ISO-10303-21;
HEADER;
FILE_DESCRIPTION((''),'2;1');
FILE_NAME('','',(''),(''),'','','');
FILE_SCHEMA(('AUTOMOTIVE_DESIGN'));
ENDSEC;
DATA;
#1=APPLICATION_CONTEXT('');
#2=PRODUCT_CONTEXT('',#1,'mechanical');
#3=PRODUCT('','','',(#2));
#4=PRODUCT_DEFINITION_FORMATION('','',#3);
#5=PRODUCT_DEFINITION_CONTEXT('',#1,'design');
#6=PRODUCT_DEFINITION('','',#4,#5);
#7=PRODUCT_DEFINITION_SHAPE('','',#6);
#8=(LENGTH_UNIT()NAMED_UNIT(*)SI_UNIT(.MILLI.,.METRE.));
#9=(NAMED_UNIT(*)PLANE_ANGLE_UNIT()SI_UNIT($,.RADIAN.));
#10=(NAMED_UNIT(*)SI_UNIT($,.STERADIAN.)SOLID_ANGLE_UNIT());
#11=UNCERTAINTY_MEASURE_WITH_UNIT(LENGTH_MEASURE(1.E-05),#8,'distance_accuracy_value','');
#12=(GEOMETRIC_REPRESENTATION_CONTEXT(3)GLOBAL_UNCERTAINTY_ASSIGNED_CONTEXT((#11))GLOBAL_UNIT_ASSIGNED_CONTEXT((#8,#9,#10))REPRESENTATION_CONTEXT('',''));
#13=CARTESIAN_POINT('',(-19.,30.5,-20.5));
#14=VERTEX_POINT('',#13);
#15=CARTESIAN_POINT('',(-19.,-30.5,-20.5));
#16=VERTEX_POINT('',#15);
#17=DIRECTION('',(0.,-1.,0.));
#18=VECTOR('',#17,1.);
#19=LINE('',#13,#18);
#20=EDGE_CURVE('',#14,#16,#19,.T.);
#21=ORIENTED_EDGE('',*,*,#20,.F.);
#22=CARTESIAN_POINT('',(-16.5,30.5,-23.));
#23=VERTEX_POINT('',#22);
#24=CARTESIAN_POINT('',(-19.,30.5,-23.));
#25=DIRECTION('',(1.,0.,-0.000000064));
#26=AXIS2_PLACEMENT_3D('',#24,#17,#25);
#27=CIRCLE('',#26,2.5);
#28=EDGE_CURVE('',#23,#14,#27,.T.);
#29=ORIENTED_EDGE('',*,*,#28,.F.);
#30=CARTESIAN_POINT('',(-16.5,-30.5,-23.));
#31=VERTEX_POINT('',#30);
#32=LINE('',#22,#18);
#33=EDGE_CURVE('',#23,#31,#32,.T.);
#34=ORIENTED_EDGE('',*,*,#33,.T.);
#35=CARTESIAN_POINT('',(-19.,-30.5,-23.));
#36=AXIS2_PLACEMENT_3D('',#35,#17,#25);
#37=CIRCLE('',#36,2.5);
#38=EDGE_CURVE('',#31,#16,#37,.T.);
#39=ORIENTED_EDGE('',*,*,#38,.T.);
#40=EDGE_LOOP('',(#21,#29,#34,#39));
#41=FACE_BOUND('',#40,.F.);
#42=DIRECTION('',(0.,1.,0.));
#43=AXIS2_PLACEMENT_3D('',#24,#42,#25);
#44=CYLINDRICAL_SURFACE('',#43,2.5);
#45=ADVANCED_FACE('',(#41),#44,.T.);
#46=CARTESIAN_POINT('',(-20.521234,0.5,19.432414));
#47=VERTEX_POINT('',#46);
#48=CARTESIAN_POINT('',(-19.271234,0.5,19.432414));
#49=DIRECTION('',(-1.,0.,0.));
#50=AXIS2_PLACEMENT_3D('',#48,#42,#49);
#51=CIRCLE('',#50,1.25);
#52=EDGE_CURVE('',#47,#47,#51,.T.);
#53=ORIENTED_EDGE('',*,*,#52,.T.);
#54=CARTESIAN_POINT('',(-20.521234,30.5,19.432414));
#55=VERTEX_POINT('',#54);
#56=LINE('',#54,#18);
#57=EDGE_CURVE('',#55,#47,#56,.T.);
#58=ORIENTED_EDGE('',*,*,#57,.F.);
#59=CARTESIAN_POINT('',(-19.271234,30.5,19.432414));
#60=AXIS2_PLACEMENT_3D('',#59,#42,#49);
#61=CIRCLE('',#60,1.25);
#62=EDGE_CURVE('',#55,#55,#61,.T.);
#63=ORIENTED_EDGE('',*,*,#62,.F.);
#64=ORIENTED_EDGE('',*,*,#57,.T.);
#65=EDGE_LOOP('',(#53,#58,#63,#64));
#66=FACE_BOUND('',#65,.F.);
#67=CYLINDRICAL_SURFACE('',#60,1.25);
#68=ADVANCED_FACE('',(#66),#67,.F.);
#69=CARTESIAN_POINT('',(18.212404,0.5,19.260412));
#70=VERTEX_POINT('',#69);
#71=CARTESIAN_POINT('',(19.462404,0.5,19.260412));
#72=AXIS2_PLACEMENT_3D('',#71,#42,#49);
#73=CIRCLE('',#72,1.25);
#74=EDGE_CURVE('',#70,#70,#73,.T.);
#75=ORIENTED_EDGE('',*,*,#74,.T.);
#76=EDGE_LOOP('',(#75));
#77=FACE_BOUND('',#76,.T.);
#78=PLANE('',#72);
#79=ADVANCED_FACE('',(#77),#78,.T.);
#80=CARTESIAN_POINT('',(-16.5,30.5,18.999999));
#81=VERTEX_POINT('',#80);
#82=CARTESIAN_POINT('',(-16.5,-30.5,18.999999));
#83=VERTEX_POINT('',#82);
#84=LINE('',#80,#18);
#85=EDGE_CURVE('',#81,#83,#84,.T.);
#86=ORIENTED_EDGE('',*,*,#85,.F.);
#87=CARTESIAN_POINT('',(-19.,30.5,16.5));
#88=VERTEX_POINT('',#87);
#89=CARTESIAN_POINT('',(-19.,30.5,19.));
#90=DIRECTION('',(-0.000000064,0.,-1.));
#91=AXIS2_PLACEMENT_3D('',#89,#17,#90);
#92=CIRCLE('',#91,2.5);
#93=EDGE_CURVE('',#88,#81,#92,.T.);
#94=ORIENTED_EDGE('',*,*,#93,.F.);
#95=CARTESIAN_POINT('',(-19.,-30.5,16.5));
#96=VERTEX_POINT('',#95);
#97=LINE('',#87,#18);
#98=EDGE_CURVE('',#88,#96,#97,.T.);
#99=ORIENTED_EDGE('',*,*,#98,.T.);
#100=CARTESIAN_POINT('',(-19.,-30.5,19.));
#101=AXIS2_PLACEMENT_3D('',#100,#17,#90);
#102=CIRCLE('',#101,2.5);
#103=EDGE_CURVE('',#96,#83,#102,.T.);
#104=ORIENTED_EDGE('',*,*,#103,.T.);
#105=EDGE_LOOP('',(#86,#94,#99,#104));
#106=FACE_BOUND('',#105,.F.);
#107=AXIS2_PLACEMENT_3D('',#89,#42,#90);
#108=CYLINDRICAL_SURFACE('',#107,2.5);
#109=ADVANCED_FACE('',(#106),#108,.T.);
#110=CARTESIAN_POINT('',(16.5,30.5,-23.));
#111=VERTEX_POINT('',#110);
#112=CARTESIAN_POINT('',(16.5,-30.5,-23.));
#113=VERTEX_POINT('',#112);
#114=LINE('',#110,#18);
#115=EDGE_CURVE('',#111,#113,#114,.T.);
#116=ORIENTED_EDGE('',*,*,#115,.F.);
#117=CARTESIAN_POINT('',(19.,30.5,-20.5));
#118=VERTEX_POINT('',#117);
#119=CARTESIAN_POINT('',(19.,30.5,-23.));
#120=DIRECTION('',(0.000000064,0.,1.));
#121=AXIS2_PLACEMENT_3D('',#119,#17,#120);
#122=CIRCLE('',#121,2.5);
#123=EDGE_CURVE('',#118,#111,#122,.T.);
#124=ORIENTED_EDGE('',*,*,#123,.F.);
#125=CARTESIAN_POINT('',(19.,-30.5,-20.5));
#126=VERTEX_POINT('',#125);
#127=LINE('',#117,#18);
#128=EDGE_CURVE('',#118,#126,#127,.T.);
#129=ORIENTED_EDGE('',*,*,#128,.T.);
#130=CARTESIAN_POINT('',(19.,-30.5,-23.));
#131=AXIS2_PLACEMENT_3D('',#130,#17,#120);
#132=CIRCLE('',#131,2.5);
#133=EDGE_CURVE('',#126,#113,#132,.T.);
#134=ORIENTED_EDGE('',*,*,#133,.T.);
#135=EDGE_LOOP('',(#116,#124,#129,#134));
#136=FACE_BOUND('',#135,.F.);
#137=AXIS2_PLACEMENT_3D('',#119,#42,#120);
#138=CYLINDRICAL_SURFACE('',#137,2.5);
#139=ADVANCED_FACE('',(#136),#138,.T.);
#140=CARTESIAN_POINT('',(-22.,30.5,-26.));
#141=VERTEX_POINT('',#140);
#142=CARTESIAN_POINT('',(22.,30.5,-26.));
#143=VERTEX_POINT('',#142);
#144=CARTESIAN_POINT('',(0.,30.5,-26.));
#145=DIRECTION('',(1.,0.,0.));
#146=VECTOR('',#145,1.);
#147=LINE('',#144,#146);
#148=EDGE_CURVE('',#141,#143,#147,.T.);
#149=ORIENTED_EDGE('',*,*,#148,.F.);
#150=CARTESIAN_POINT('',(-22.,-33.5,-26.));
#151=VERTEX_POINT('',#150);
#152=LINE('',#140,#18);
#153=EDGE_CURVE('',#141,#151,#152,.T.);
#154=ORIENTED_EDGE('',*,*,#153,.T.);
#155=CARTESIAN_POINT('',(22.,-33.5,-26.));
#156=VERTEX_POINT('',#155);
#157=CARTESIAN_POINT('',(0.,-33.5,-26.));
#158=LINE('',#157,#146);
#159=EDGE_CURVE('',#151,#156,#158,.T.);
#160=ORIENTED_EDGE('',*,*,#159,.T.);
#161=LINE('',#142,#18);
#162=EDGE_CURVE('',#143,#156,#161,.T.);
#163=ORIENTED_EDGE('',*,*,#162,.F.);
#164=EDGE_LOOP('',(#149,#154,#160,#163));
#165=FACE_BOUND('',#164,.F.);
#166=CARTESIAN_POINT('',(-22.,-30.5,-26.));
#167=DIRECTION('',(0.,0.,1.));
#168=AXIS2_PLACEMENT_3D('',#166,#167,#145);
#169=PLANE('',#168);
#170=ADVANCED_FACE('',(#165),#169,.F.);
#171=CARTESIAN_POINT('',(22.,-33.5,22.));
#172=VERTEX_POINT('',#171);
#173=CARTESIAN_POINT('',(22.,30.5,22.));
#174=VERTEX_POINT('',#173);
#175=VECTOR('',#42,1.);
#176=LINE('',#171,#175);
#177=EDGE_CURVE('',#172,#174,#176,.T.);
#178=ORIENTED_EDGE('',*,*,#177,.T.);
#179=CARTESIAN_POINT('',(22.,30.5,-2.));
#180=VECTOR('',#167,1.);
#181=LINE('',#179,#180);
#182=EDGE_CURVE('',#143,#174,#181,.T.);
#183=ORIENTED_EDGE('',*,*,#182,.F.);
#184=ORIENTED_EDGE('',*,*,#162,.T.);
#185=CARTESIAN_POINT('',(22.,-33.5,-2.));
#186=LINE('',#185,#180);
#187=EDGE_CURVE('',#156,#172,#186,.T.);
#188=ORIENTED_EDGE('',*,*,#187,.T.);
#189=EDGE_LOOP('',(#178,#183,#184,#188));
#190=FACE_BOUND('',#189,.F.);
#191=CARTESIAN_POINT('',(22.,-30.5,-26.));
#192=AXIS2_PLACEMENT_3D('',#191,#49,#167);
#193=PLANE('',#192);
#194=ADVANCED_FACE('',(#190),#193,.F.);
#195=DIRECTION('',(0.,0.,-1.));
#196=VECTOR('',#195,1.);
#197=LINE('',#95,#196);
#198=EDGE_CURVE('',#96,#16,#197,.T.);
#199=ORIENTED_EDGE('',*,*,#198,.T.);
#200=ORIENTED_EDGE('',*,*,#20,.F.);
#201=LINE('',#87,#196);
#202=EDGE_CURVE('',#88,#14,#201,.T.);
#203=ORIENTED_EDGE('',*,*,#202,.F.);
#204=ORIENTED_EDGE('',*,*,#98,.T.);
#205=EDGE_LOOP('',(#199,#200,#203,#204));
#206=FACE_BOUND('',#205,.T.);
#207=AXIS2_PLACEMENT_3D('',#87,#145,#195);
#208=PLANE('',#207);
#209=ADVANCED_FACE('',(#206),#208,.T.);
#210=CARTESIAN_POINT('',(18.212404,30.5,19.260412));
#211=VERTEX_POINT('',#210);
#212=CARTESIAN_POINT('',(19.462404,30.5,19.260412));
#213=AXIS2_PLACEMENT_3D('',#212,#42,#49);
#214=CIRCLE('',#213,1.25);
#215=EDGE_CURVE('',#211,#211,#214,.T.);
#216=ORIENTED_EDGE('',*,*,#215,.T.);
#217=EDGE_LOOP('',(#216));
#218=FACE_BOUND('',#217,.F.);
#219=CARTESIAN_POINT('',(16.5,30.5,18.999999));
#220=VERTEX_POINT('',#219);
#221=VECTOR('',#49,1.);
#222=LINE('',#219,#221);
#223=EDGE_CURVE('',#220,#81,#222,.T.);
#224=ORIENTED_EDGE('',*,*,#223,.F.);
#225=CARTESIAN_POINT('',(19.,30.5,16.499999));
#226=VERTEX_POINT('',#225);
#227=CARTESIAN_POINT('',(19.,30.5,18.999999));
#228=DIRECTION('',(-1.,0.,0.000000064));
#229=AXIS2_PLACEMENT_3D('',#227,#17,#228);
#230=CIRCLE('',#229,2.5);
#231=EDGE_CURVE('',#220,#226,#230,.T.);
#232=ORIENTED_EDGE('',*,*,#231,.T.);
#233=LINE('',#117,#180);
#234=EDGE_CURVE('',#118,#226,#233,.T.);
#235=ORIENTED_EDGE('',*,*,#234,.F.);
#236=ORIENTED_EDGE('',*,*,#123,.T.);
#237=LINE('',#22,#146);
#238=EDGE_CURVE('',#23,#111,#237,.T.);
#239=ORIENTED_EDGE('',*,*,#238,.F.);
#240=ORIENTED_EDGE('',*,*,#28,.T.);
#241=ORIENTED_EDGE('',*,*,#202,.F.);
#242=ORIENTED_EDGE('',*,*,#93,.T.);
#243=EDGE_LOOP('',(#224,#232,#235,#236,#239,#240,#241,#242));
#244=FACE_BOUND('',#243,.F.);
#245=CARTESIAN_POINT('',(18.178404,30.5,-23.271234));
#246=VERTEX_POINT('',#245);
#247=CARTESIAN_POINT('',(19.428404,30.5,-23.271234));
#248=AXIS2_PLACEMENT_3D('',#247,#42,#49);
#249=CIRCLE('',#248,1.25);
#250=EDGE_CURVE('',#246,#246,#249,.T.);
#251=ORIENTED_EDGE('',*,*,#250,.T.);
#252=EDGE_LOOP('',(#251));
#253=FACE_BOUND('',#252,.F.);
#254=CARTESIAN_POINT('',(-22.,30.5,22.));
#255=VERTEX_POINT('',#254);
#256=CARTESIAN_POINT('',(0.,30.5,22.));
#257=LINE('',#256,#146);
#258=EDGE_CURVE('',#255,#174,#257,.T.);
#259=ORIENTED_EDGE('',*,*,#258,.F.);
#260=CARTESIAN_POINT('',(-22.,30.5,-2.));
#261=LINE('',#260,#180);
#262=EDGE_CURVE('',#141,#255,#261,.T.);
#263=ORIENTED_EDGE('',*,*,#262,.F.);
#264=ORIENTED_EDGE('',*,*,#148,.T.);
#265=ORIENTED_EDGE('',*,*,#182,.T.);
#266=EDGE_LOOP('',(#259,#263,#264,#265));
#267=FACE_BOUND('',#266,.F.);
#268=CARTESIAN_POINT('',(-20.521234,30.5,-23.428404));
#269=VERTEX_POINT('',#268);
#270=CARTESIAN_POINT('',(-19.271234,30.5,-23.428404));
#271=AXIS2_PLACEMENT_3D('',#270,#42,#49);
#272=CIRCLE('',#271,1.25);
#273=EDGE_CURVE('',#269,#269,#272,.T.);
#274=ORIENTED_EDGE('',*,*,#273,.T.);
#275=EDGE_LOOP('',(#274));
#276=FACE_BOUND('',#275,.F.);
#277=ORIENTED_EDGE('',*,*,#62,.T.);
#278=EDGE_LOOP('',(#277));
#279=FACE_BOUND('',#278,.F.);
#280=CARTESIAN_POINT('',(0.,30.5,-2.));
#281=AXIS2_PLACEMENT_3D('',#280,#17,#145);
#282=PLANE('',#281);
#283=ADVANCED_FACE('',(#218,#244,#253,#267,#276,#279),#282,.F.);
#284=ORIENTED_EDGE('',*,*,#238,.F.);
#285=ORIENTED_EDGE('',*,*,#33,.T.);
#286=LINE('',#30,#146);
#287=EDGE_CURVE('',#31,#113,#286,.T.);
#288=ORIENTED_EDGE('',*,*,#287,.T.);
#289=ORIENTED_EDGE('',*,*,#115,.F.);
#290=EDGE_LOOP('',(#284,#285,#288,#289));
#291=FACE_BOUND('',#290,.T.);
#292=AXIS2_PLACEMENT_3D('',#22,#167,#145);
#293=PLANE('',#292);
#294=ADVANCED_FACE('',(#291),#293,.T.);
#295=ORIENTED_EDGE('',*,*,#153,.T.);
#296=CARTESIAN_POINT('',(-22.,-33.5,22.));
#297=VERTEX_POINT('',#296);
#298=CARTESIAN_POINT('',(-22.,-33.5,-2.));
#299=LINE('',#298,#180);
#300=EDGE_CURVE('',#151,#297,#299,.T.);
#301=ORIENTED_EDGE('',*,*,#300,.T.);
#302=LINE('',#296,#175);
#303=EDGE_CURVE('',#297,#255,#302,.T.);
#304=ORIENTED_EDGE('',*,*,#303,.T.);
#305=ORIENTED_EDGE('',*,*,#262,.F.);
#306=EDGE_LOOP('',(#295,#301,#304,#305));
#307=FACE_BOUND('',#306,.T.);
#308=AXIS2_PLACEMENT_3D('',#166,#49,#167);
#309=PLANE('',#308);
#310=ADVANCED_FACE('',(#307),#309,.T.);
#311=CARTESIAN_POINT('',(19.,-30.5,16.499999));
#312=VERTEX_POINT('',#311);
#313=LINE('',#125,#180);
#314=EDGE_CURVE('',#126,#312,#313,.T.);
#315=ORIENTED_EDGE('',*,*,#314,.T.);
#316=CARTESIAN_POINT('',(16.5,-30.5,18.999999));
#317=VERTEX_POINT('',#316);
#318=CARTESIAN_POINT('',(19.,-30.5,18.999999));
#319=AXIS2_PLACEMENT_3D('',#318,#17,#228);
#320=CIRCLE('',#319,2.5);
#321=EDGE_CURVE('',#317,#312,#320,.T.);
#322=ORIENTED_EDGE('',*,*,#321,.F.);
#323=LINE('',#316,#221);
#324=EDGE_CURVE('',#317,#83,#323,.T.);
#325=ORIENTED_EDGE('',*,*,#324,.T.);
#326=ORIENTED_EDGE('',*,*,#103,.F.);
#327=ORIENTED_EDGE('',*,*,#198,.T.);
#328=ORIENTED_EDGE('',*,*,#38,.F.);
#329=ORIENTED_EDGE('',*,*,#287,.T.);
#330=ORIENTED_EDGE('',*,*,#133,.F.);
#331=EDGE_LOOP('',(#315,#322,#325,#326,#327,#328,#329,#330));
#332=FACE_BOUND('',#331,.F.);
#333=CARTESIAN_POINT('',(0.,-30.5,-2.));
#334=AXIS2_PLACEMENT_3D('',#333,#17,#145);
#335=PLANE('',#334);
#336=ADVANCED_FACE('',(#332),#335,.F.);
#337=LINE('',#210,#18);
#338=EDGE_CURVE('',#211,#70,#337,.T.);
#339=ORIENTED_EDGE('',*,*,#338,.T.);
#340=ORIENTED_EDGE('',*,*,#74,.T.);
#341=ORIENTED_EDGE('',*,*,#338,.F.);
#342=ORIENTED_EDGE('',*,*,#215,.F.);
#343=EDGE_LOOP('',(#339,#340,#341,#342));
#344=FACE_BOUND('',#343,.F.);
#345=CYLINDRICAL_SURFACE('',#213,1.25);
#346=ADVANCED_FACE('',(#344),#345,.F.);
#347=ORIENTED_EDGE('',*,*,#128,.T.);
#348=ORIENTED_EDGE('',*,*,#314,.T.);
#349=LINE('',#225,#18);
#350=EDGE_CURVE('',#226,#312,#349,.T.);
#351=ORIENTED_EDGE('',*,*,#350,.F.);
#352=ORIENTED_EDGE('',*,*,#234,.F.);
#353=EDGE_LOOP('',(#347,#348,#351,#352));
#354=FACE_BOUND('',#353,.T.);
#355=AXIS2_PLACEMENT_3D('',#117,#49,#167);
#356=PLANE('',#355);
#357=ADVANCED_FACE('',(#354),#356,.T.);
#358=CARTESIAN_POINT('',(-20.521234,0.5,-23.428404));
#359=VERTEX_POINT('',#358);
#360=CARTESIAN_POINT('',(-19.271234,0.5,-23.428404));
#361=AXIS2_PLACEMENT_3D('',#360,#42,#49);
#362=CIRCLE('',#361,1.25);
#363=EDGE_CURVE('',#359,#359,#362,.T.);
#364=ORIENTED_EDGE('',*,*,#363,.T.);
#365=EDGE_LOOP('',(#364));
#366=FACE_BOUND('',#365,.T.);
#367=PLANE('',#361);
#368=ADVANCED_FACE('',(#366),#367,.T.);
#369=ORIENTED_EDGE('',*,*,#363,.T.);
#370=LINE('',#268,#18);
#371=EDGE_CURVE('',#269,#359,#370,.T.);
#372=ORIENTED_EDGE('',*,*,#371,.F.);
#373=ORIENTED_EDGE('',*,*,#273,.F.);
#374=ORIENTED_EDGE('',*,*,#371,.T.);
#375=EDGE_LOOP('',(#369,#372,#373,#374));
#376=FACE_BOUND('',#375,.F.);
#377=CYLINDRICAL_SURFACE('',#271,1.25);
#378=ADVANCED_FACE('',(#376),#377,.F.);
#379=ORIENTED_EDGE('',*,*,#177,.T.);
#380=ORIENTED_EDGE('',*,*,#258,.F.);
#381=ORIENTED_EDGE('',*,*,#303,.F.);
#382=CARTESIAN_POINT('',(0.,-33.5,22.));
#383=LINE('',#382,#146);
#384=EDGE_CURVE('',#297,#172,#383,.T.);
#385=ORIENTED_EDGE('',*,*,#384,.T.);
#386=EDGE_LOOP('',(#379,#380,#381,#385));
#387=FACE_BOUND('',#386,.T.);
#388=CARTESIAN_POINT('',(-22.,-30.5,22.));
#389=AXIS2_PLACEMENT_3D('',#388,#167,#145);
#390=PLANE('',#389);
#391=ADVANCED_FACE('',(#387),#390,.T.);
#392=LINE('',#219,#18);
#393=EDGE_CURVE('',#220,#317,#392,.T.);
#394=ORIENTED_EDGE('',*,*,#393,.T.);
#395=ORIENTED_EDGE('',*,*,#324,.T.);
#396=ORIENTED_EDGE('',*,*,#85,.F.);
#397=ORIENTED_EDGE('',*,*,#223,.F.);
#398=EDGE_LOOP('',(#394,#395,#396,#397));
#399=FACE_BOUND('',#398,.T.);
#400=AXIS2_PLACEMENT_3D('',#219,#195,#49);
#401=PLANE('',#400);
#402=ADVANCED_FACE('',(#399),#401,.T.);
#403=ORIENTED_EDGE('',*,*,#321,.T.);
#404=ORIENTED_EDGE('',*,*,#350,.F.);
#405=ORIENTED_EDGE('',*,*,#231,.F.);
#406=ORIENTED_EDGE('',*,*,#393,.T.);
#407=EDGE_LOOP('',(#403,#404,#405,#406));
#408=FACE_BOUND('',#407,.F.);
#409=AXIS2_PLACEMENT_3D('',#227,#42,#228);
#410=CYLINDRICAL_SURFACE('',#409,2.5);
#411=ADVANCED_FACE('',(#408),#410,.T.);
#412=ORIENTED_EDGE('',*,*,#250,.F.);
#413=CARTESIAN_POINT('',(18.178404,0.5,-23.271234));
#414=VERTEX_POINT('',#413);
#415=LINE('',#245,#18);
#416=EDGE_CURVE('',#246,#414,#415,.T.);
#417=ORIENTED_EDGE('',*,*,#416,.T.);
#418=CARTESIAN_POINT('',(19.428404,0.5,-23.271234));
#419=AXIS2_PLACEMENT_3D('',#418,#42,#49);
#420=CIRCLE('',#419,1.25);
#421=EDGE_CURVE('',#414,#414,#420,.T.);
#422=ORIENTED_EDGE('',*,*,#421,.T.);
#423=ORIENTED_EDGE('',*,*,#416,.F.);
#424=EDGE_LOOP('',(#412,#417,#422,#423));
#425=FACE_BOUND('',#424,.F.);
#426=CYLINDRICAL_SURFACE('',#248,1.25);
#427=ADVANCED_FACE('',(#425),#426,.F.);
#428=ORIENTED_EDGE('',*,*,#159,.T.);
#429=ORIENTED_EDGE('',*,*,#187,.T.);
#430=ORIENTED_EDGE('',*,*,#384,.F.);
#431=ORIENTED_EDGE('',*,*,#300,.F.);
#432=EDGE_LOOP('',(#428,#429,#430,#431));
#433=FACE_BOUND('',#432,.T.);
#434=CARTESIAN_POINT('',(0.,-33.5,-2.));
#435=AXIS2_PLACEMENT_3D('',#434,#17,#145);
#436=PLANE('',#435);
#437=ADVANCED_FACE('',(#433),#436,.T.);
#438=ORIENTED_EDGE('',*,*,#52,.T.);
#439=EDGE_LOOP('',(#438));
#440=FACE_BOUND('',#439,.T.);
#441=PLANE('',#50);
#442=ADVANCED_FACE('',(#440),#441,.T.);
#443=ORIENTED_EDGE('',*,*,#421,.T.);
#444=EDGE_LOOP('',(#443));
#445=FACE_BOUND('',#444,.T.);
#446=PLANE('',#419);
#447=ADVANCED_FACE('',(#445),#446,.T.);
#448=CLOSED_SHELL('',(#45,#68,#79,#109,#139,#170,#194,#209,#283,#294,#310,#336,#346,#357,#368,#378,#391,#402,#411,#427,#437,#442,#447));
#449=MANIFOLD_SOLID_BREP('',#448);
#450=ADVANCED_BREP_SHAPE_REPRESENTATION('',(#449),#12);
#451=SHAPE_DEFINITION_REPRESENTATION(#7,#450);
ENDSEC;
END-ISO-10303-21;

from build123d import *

# Parameters (mm, degrees)
SKETCH003_W  = 44
SKETCH003_H  = 48
PAD002_DEPTH = 61
SKETCH004_W  = 44
SKETCH004_H  = 48
PAD003_DEPTH = 3
SKETCH005_R  = 1.25
POCKET_DEPTH = 30


with BuildPart() as part:
    # Sketch003 (on Face1 of Binder004) → Pad002 (new body)
    with BuildSketch(Plane.XZ.offset(-30.5)):
        with Locations((0, -2)):
            Rectangle(SKETCH003_W, SKETCH003_H)
        with BuildLine():
            Line((-16.5, -23), (16.5, -23))
            ThreePointArc((19, -20.5), (17.232233, -21.232233), (16.5, -23))
            Line((19, -20.5), (19, 16.499999))
            ThreePointArc((16.5, 18.999999), (17.232233, 17.232232), (19, 16.499999))
            Line((16.5, 18.999999), (-16.5, 18.999999))
            ThreePointArc((-19, 16.5), (-17.232233, 17.232233), (-16.5, 18.999999))
            Line((-19, 16.5), (-19, -20.5))
            ThreePointArc((-16.5, -23), (-17.232233, -21.232233), (-19, -20.5))
        make_face(mode=Mode.SUBTRACT)
    extrude(amount=PAD002_DEPTH)

    # Sketch004 (on Face14 of Pad002) → Pad003 (join)
    with BuildSketch(Plane.XZ.offset(30.5)):
        with Locations((0, -2)):
            Rectangle(SKETCH004_W, SKETCH004_H)
    extrude(amount=PAD003_DEPTH)

    # Sketch005 (on Face1 of Pad003) → Pocket (cut)
    with BuildSketch(Plane(origin=(0, 30.5, 0), x_dir=(-1, 0, 0), z_dir=(0, 1, 0))):
        with Locations((-19.462404, 19.260412)):
            Circle(SKETCH005_R)
        with Locations((19.271234, 19.432414)):
            Circle(SKETCH005_R)
        with Locations((19.271234, -23.428404)):
            Circle(SKETCH005_R)
        with Locations((-19.428404, -23.271234)):
            Circle(SKETCH005_R)
    extrude(amount=-POCKET_DEPTH, mode=Mode.SUBTRACT)


solid = part.part
